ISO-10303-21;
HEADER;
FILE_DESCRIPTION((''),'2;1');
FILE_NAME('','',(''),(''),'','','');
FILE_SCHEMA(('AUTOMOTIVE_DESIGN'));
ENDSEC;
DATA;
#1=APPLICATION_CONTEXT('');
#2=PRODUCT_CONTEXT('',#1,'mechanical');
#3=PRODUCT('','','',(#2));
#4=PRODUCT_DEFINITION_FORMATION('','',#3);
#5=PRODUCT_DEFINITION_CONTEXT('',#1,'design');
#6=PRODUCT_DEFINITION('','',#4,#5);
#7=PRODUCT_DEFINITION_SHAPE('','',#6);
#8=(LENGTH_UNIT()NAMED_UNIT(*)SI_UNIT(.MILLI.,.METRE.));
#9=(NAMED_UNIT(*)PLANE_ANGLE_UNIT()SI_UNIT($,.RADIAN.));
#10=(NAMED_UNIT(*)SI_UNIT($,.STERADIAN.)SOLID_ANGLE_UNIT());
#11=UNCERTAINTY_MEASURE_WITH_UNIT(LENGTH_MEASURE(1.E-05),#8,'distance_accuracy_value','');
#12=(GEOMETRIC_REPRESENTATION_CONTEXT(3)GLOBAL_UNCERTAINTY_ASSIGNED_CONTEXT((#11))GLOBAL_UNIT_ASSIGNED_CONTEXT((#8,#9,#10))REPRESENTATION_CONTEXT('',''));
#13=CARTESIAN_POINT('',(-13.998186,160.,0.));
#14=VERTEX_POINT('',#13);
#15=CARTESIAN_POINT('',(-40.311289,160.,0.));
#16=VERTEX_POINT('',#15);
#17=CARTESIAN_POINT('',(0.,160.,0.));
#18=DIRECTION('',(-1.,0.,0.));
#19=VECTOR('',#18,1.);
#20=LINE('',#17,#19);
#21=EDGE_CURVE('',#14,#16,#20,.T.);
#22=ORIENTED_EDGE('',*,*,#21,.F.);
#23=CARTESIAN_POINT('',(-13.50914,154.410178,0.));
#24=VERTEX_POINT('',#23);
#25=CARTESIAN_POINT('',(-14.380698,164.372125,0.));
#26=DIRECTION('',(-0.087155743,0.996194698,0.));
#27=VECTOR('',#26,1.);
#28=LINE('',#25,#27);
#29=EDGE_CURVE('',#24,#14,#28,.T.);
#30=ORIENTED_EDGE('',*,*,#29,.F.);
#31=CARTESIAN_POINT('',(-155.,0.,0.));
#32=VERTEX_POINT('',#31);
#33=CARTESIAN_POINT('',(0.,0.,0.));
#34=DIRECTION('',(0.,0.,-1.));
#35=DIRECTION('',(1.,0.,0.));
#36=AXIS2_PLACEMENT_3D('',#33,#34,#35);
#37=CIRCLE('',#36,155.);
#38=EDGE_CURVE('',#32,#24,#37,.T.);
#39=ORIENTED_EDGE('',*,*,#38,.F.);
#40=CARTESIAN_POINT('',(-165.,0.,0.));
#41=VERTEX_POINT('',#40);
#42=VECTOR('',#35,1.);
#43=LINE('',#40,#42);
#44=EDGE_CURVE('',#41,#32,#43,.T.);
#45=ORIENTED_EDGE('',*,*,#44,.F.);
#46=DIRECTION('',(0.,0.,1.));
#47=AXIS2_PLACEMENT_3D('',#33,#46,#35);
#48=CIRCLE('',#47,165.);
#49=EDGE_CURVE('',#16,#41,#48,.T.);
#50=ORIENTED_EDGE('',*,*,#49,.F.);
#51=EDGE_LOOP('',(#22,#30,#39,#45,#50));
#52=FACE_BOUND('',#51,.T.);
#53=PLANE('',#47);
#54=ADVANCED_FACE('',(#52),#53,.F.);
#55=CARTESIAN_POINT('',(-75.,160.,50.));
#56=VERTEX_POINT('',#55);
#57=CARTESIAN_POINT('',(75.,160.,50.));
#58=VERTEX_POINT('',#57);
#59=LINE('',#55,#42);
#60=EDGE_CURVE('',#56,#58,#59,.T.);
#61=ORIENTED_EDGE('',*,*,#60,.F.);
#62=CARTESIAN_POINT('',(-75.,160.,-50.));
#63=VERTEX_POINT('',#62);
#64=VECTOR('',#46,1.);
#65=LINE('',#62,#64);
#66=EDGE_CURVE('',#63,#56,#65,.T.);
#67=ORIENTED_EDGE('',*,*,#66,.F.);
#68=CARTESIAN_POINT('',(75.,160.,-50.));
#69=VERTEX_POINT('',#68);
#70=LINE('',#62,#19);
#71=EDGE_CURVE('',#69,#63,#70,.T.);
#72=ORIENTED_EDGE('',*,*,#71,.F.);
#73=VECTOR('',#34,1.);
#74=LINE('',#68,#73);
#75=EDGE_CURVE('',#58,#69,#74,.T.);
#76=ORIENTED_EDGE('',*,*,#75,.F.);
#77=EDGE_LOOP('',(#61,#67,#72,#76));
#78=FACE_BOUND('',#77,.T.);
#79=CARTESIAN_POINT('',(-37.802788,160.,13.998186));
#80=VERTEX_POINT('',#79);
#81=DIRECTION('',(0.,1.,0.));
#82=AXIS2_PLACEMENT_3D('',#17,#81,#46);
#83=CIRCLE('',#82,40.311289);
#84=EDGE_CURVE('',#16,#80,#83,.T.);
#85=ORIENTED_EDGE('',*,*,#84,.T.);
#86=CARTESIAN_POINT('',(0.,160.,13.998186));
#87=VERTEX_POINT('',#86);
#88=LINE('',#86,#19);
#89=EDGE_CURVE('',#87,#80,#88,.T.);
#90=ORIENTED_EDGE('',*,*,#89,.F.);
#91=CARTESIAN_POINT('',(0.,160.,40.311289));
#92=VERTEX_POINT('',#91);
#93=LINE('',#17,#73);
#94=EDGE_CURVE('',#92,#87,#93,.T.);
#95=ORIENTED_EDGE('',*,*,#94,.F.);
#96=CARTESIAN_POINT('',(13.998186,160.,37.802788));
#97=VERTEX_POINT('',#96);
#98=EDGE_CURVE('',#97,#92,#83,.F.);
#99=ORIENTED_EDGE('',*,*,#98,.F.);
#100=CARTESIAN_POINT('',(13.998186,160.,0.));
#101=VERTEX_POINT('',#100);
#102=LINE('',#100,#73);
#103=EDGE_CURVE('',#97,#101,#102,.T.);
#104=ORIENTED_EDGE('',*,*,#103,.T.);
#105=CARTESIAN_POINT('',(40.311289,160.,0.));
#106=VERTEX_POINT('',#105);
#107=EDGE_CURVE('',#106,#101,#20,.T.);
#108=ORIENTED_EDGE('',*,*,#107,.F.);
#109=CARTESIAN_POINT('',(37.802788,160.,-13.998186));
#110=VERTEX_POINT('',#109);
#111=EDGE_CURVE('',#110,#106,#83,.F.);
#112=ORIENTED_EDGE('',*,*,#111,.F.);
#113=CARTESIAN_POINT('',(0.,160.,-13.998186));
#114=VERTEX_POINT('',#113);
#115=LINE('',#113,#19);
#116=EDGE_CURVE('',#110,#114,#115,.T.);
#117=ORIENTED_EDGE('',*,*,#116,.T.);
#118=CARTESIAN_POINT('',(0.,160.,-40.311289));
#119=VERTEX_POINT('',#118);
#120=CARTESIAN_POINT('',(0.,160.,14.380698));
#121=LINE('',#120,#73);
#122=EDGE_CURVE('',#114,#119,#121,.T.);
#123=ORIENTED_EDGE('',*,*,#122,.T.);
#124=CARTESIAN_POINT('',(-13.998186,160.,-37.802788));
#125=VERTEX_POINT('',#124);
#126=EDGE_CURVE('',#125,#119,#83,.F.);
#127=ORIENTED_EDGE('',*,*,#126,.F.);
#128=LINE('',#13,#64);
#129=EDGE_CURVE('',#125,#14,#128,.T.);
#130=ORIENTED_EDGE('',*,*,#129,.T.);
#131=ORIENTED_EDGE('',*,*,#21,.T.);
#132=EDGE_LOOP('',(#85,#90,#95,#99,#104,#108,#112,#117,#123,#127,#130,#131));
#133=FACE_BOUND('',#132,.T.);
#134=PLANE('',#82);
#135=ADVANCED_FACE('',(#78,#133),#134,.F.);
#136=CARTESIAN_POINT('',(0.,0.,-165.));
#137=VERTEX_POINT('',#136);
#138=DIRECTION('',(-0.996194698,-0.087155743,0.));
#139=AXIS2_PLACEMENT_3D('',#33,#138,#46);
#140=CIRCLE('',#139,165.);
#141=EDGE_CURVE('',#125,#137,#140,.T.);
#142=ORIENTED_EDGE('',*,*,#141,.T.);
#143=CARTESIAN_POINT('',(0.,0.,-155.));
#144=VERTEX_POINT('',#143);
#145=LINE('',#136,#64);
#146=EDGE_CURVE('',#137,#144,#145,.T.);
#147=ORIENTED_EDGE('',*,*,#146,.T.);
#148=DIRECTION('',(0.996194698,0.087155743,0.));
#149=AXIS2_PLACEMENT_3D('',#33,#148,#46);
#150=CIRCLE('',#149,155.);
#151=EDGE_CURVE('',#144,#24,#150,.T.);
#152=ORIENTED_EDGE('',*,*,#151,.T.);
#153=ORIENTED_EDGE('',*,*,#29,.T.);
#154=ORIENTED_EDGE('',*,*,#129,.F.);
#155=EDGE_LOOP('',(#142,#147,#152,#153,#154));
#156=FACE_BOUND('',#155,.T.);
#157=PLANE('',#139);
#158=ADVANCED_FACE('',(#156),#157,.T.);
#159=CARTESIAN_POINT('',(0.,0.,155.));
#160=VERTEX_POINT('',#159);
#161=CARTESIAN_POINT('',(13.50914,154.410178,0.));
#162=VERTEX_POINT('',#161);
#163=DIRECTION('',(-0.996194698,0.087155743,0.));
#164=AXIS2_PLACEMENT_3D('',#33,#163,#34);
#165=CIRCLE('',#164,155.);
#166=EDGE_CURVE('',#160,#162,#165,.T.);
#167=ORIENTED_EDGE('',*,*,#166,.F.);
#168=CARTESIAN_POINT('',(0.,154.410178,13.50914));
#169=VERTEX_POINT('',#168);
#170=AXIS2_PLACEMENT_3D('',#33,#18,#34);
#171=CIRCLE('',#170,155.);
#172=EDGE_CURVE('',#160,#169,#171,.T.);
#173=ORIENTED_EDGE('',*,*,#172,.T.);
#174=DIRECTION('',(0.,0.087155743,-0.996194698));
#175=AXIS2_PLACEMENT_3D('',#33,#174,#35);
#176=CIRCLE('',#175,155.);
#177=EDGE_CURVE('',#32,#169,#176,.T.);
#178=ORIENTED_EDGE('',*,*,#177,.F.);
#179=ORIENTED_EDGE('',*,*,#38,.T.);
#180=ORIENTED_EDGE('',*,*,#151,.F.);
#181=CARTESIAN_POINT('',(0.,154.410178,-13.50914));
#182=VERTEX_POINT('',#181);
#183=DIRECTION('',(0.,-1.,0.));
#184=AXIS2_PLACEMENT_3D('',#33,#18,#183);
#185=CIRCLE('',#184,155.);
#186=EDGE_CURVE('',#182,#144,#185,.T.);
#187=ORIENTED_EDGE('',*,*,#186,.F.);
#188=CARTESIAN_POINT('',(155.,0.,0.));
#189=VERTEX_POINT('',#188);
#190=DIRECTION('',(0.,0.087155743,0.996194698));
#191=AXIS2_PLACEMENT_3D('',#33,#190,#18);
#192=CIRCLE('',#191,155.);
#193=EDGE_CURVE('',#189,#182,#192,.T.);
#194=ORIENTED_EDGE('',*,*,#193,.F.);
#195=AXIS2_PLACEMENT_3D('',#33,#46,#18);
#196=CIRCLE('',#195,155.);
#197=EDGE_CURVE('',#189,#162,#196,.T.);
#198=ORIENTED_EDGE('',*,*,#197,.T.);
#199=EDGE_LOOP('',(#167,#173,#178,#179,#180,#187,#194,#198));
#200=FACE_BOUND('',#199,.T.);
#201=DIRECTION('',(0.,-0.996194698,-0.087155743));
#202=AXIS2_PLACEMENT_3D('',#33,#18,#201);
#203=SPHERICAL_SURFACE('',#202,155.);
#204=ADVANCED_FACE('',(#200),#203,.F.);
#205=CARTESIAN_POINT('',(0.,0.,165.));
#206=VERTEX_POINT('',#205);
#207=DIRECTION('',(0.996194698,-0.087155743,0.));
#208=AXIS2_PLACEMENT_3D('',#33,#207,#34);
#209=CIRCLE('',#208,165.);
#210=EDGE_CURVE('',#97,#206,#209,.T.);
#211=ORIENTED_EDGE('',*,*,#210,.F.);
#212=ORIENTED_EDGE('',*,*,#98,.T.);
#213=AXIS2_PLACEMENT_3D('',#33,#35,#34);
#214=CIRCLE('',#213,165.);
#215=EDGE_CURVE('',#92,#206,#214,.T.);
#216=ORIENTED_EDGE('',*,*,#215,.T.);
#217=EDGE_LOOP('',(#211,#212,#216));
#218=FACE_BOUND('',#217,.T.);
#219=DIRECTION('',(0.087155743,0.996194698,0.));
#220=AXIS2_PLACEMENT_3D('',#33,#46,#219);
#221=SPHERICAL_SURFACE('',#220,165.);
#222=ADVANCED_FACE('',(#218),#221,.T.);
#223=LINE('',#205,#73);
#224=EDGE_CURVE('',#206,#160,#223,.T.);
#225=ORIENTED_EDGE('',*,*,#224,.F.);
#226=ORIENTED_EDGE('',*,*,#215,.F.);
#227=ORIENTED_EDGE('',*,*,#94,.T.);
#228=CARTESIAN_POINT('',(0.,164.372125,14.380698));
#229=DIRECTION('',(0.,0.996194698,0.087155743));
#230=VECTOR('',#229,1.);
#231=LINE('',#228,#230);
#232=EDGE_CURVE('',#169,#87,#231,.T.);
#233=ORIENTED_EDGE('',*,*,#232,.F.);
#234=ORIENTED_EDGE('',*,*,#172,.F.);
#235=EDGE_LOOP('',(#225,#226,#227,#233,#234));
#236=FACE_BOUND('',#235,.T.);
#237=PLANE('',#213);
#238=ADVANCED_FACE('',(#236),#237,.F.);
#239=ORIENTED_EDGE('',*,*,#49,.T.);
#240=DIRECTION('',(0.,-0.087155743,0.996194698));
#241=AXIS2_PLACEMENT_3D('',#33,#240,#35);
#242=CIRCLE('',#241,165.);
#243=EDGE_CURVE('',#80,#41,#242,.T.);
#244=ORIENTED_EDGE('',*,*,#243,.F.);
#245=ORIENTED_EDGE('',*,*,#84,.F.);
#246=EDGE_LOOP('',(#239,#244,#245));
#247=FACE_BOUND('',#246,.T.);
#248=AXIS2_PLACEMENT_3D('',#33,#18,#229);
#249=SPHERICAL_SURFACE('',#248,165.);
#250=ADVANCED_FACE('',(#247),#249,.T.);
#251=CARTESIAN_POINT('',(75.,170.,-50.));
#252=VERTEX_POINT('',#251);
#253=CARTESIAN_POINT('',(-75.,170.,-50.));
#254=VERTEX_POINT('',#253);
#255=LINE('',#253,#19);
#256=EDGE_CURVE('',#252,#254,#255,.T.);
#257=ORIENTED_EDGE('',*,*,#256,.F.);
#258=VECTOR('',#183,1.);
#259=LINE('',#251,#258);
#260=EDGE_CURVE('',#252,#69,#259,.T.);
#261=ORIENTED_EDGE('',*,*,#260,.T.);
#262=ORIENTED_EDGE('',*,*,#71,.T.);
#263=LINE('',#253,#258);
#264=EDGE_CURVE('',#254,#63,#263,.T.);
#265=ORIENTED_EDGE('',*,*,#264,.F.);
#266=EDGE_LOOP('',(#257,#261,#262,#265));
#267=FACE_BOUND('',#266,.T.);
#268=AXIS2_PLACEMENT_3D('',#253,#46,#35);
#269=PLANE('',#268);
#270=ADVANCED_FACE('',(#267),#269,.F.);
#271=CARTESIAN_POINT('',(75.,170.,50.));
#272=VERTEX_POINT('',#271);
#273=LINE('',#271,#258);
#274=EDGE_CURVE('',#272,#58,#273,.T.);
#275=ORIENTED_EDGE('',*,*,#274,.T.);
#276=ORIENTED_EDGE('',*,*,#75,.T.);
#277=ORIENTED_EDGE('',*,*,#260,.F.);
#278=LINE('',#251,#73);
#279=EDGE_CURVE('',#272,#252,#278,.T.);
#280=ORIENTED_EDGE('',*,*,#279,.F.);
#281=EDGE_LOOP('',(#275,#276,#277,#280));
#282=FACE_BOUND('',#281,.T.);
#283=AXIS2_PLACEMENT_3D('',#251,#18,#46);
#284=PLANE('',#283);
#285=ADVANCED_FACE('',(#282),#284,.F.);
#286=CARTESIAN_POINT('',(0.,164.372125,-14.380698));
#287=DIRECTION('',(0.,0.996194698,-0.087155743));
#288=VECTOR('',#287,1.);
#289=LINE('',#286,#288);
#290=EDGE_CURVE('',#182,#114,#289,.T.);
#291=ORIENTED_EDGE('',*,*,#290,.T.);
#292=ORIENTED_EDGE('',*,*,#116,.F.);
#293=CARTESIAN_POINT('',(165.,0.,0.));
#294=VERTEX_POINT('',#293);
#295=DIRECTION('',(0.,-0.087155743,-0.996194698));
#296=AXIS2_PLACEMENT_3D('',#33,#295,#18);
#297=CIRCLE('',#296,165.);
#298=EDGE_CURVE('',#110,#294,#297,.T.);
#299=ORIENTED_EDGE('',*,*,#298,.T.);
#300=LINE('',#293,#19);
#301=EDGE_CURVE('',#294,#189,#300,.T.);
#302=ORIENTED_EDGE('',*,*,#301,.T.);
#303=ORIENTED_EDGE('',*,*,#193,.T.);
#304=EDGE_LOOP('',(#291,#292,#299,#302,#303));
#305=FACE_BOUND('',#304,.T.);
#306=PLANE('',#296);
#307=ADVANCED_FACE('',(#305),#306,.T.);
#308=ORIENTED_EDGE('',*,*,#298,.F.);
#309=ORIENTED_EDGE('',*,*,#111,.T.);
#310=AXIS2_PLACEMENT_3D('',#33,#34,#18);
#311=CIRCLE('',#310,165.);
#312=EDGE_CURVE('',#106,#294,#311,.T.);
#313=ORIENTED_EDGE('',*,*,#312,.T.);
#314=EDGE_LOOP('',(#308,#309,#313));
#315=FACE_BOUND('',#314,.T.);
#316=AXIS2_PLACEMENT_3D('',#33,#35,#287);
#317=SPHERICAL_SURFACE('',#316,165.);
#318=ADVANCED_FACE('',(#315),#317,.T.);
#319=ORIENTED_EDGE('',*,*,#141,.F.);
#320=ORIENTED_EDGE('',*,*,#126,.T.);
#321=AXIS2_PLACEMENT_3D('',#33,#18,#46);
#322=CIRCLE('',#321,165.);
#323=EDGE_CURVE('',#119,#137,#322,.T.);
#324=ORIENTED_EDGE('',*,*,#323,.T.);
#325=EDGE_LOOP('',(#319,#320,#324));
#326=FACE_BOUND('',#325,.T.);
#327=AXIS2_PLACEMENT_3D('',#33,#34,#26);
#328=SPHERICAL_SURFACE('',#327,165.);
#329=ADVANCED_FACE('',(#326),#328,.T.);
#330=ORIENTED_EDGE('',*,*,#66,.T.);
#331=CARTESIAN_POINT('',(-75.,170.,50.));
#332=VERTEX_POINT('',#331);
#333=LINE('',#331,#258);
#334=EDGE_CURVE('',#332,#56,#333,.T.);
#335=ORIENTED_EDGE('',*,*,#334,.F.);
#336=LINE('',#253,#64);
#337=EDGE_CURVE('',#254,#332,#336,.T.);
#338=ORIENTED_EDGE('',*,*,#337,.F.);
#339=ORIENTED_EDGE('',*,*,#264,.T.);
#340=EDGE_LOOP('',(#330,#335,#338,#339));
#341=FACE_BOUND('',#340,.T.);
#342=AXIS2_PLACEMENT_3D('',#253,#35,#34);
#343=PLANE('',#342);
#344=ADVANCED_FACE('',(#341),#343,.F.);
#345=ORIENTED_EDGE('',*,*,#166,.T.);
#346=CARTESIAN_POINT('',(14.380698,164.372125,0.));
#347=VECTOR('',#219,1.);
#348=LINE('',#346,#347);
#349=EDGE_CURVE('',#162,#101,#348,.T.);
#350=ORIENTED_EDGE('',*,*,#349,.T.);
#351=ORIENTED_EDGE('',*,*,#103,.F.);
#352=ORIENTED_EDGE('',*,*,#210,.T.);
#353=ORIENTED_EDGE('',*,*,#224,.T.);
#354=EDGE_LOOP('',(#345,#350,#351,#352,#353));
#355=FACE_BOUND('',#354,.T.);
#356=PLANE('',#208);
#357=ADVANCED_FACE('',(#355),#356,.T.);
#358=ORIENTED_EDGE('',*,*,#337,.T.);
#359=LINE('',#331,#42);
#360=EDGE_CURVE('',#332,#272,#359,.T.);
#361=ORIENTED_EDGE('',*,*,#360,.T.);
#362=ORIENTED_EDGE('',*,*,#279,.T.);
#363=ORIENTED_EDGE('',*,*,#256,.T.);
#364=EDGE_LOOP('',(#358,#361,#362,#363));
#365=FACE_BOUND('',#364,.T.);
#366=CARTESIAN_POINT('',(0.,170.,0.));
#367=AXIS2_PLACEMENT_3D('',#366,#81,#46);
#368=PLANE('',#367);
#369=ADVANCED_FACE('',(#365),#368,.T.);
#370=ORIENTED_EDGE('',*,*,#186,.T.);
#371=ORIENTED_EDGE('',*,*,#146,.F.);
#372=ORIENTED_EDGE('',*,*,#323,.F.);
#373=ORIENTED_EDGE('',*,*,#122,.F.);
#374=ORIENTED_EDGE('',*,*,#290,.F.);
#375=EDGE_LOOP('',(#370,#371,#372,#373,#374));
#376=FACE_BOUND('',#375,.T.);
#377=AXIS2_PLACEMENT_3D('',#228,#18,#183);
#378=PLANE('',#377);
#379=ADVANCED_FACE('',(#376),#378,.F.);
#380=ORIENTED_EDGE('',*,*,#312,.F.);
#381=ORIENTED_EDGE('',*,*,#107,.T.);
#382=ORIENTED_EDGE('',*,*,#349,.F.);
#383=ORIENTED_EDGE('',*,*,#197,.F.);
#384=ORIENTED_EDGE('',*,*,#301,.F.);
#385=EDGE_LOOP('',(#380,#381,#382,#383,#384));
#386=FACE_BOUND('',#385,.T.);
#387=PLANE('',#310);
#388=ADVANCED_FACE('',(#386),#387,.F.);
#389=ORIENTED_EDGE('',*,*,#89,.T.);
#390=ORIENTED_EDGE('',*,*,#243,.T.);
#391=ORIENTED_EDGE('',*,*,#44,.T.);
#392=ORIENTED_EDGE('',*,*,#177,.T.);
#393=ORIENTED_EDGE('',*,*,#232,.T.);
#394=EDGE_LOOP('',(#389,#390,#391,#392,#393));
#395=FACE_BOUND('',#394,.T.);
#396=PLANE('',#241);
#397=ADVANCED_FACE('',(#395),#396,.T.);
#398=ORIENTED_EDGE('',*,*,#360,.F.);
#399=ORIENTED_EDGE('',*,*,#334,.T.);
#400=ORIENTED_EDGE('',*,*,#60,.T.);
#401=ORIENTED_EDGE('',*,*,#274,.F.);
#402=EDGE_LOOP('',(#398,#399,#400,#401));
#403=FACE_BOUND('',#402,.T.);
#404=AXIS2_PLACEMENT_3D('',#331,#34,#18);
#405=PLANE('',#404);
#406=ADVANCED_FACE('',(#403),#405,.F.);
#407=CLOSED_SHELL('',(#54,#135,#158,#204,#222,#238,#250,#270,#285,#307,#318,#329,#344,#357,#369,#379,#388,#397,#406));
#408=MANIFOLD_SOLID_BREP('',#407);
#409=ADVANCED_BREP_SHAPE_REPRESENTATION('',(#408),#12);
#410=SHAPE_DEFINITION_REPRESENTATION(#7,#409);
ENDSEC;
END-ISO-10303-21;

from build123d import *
from build123d.topology import SkipClean

# Parameters (mm, degrees)
REVOLVE1_ANGLE      = 5
CIRPATTERN1_COUNT   = 4
BOSS_EXTRUDE2_START = 160
SKETCH4_W           = 150
SKETCH4_H           = 100
BOSS_EXTRUDE2_DEPTH = 10


with BuildPart() as part:
    # Sketch1 → Revolve1 (revolve)
    with BuildSketch(Plane.XY):
        with BuildLine():
            Line((0, 165), (0, 155))
            ThreePointArc((0, 155), (-109.601551084, 109.601551084), (-155, 0))
            Line((-155, 0), (-165, 0))
            ThreePointArc((-165, 0), (-116.672618896, 116.672618896), (0, 165))
        make_face()
    revolve(axis=Axis((-165, 0, 0), (1, 0, 0)), revolution_arc=REVOLVE1_ANGLE)


with BuildPart() as cirpattern1_1:
    # CirPattern1: pattern copy
    add(part.part.rotate(Axis((0, 0, 0), (0, 1, 0)), 1 * 360 / CIRPATTERN1_COUNT))


with BuildPart() as cirpattern1_2:
    # CirPattern1: pattern copy
    add(part.part.rotate(Axis((0, 0, 0), (0, 1, 0)), 2 * 360 / CIRPATTERN1_COUNT))


with BuildPart() as cirpattern1_3:
    # CirPattern1: pattern copy
    add(part.part.rotate(Axis((0, 0, 0), (0, 1, 0)), 3 * 360 / CIRPATTERN1_COUNT))


with BuildPart() as part_1:
    with SkipClean():  # the faces are left unmerged after this step: merging them gives an invalid solid
        add(part.part)

        add(cirpattern1_1.part)  # Boss-Extrude2 merges CirPattern1_1

        add(cirpattern1_2.part)  # Boss-Extrude2 merges CirPattern1_2

        add(cirpattern1_3.part)  # Boss-Extrude2 merges CirPattern1_3
        # Sketch4 → Boss-Extrude2 (add)
        with BuildSketch(Plane(origin=(0, 0, 0), x_dir=(1, 0, 0), z_dir=(0, 1, 0)).offset(BOSS_EXTRUDE2_START)):
            Rectangle(SKETCH4_W, SKETCH4_H)
        extrude(amount=BOSS_EXTRUDE2_DEPTH)


solid = part_1.part
